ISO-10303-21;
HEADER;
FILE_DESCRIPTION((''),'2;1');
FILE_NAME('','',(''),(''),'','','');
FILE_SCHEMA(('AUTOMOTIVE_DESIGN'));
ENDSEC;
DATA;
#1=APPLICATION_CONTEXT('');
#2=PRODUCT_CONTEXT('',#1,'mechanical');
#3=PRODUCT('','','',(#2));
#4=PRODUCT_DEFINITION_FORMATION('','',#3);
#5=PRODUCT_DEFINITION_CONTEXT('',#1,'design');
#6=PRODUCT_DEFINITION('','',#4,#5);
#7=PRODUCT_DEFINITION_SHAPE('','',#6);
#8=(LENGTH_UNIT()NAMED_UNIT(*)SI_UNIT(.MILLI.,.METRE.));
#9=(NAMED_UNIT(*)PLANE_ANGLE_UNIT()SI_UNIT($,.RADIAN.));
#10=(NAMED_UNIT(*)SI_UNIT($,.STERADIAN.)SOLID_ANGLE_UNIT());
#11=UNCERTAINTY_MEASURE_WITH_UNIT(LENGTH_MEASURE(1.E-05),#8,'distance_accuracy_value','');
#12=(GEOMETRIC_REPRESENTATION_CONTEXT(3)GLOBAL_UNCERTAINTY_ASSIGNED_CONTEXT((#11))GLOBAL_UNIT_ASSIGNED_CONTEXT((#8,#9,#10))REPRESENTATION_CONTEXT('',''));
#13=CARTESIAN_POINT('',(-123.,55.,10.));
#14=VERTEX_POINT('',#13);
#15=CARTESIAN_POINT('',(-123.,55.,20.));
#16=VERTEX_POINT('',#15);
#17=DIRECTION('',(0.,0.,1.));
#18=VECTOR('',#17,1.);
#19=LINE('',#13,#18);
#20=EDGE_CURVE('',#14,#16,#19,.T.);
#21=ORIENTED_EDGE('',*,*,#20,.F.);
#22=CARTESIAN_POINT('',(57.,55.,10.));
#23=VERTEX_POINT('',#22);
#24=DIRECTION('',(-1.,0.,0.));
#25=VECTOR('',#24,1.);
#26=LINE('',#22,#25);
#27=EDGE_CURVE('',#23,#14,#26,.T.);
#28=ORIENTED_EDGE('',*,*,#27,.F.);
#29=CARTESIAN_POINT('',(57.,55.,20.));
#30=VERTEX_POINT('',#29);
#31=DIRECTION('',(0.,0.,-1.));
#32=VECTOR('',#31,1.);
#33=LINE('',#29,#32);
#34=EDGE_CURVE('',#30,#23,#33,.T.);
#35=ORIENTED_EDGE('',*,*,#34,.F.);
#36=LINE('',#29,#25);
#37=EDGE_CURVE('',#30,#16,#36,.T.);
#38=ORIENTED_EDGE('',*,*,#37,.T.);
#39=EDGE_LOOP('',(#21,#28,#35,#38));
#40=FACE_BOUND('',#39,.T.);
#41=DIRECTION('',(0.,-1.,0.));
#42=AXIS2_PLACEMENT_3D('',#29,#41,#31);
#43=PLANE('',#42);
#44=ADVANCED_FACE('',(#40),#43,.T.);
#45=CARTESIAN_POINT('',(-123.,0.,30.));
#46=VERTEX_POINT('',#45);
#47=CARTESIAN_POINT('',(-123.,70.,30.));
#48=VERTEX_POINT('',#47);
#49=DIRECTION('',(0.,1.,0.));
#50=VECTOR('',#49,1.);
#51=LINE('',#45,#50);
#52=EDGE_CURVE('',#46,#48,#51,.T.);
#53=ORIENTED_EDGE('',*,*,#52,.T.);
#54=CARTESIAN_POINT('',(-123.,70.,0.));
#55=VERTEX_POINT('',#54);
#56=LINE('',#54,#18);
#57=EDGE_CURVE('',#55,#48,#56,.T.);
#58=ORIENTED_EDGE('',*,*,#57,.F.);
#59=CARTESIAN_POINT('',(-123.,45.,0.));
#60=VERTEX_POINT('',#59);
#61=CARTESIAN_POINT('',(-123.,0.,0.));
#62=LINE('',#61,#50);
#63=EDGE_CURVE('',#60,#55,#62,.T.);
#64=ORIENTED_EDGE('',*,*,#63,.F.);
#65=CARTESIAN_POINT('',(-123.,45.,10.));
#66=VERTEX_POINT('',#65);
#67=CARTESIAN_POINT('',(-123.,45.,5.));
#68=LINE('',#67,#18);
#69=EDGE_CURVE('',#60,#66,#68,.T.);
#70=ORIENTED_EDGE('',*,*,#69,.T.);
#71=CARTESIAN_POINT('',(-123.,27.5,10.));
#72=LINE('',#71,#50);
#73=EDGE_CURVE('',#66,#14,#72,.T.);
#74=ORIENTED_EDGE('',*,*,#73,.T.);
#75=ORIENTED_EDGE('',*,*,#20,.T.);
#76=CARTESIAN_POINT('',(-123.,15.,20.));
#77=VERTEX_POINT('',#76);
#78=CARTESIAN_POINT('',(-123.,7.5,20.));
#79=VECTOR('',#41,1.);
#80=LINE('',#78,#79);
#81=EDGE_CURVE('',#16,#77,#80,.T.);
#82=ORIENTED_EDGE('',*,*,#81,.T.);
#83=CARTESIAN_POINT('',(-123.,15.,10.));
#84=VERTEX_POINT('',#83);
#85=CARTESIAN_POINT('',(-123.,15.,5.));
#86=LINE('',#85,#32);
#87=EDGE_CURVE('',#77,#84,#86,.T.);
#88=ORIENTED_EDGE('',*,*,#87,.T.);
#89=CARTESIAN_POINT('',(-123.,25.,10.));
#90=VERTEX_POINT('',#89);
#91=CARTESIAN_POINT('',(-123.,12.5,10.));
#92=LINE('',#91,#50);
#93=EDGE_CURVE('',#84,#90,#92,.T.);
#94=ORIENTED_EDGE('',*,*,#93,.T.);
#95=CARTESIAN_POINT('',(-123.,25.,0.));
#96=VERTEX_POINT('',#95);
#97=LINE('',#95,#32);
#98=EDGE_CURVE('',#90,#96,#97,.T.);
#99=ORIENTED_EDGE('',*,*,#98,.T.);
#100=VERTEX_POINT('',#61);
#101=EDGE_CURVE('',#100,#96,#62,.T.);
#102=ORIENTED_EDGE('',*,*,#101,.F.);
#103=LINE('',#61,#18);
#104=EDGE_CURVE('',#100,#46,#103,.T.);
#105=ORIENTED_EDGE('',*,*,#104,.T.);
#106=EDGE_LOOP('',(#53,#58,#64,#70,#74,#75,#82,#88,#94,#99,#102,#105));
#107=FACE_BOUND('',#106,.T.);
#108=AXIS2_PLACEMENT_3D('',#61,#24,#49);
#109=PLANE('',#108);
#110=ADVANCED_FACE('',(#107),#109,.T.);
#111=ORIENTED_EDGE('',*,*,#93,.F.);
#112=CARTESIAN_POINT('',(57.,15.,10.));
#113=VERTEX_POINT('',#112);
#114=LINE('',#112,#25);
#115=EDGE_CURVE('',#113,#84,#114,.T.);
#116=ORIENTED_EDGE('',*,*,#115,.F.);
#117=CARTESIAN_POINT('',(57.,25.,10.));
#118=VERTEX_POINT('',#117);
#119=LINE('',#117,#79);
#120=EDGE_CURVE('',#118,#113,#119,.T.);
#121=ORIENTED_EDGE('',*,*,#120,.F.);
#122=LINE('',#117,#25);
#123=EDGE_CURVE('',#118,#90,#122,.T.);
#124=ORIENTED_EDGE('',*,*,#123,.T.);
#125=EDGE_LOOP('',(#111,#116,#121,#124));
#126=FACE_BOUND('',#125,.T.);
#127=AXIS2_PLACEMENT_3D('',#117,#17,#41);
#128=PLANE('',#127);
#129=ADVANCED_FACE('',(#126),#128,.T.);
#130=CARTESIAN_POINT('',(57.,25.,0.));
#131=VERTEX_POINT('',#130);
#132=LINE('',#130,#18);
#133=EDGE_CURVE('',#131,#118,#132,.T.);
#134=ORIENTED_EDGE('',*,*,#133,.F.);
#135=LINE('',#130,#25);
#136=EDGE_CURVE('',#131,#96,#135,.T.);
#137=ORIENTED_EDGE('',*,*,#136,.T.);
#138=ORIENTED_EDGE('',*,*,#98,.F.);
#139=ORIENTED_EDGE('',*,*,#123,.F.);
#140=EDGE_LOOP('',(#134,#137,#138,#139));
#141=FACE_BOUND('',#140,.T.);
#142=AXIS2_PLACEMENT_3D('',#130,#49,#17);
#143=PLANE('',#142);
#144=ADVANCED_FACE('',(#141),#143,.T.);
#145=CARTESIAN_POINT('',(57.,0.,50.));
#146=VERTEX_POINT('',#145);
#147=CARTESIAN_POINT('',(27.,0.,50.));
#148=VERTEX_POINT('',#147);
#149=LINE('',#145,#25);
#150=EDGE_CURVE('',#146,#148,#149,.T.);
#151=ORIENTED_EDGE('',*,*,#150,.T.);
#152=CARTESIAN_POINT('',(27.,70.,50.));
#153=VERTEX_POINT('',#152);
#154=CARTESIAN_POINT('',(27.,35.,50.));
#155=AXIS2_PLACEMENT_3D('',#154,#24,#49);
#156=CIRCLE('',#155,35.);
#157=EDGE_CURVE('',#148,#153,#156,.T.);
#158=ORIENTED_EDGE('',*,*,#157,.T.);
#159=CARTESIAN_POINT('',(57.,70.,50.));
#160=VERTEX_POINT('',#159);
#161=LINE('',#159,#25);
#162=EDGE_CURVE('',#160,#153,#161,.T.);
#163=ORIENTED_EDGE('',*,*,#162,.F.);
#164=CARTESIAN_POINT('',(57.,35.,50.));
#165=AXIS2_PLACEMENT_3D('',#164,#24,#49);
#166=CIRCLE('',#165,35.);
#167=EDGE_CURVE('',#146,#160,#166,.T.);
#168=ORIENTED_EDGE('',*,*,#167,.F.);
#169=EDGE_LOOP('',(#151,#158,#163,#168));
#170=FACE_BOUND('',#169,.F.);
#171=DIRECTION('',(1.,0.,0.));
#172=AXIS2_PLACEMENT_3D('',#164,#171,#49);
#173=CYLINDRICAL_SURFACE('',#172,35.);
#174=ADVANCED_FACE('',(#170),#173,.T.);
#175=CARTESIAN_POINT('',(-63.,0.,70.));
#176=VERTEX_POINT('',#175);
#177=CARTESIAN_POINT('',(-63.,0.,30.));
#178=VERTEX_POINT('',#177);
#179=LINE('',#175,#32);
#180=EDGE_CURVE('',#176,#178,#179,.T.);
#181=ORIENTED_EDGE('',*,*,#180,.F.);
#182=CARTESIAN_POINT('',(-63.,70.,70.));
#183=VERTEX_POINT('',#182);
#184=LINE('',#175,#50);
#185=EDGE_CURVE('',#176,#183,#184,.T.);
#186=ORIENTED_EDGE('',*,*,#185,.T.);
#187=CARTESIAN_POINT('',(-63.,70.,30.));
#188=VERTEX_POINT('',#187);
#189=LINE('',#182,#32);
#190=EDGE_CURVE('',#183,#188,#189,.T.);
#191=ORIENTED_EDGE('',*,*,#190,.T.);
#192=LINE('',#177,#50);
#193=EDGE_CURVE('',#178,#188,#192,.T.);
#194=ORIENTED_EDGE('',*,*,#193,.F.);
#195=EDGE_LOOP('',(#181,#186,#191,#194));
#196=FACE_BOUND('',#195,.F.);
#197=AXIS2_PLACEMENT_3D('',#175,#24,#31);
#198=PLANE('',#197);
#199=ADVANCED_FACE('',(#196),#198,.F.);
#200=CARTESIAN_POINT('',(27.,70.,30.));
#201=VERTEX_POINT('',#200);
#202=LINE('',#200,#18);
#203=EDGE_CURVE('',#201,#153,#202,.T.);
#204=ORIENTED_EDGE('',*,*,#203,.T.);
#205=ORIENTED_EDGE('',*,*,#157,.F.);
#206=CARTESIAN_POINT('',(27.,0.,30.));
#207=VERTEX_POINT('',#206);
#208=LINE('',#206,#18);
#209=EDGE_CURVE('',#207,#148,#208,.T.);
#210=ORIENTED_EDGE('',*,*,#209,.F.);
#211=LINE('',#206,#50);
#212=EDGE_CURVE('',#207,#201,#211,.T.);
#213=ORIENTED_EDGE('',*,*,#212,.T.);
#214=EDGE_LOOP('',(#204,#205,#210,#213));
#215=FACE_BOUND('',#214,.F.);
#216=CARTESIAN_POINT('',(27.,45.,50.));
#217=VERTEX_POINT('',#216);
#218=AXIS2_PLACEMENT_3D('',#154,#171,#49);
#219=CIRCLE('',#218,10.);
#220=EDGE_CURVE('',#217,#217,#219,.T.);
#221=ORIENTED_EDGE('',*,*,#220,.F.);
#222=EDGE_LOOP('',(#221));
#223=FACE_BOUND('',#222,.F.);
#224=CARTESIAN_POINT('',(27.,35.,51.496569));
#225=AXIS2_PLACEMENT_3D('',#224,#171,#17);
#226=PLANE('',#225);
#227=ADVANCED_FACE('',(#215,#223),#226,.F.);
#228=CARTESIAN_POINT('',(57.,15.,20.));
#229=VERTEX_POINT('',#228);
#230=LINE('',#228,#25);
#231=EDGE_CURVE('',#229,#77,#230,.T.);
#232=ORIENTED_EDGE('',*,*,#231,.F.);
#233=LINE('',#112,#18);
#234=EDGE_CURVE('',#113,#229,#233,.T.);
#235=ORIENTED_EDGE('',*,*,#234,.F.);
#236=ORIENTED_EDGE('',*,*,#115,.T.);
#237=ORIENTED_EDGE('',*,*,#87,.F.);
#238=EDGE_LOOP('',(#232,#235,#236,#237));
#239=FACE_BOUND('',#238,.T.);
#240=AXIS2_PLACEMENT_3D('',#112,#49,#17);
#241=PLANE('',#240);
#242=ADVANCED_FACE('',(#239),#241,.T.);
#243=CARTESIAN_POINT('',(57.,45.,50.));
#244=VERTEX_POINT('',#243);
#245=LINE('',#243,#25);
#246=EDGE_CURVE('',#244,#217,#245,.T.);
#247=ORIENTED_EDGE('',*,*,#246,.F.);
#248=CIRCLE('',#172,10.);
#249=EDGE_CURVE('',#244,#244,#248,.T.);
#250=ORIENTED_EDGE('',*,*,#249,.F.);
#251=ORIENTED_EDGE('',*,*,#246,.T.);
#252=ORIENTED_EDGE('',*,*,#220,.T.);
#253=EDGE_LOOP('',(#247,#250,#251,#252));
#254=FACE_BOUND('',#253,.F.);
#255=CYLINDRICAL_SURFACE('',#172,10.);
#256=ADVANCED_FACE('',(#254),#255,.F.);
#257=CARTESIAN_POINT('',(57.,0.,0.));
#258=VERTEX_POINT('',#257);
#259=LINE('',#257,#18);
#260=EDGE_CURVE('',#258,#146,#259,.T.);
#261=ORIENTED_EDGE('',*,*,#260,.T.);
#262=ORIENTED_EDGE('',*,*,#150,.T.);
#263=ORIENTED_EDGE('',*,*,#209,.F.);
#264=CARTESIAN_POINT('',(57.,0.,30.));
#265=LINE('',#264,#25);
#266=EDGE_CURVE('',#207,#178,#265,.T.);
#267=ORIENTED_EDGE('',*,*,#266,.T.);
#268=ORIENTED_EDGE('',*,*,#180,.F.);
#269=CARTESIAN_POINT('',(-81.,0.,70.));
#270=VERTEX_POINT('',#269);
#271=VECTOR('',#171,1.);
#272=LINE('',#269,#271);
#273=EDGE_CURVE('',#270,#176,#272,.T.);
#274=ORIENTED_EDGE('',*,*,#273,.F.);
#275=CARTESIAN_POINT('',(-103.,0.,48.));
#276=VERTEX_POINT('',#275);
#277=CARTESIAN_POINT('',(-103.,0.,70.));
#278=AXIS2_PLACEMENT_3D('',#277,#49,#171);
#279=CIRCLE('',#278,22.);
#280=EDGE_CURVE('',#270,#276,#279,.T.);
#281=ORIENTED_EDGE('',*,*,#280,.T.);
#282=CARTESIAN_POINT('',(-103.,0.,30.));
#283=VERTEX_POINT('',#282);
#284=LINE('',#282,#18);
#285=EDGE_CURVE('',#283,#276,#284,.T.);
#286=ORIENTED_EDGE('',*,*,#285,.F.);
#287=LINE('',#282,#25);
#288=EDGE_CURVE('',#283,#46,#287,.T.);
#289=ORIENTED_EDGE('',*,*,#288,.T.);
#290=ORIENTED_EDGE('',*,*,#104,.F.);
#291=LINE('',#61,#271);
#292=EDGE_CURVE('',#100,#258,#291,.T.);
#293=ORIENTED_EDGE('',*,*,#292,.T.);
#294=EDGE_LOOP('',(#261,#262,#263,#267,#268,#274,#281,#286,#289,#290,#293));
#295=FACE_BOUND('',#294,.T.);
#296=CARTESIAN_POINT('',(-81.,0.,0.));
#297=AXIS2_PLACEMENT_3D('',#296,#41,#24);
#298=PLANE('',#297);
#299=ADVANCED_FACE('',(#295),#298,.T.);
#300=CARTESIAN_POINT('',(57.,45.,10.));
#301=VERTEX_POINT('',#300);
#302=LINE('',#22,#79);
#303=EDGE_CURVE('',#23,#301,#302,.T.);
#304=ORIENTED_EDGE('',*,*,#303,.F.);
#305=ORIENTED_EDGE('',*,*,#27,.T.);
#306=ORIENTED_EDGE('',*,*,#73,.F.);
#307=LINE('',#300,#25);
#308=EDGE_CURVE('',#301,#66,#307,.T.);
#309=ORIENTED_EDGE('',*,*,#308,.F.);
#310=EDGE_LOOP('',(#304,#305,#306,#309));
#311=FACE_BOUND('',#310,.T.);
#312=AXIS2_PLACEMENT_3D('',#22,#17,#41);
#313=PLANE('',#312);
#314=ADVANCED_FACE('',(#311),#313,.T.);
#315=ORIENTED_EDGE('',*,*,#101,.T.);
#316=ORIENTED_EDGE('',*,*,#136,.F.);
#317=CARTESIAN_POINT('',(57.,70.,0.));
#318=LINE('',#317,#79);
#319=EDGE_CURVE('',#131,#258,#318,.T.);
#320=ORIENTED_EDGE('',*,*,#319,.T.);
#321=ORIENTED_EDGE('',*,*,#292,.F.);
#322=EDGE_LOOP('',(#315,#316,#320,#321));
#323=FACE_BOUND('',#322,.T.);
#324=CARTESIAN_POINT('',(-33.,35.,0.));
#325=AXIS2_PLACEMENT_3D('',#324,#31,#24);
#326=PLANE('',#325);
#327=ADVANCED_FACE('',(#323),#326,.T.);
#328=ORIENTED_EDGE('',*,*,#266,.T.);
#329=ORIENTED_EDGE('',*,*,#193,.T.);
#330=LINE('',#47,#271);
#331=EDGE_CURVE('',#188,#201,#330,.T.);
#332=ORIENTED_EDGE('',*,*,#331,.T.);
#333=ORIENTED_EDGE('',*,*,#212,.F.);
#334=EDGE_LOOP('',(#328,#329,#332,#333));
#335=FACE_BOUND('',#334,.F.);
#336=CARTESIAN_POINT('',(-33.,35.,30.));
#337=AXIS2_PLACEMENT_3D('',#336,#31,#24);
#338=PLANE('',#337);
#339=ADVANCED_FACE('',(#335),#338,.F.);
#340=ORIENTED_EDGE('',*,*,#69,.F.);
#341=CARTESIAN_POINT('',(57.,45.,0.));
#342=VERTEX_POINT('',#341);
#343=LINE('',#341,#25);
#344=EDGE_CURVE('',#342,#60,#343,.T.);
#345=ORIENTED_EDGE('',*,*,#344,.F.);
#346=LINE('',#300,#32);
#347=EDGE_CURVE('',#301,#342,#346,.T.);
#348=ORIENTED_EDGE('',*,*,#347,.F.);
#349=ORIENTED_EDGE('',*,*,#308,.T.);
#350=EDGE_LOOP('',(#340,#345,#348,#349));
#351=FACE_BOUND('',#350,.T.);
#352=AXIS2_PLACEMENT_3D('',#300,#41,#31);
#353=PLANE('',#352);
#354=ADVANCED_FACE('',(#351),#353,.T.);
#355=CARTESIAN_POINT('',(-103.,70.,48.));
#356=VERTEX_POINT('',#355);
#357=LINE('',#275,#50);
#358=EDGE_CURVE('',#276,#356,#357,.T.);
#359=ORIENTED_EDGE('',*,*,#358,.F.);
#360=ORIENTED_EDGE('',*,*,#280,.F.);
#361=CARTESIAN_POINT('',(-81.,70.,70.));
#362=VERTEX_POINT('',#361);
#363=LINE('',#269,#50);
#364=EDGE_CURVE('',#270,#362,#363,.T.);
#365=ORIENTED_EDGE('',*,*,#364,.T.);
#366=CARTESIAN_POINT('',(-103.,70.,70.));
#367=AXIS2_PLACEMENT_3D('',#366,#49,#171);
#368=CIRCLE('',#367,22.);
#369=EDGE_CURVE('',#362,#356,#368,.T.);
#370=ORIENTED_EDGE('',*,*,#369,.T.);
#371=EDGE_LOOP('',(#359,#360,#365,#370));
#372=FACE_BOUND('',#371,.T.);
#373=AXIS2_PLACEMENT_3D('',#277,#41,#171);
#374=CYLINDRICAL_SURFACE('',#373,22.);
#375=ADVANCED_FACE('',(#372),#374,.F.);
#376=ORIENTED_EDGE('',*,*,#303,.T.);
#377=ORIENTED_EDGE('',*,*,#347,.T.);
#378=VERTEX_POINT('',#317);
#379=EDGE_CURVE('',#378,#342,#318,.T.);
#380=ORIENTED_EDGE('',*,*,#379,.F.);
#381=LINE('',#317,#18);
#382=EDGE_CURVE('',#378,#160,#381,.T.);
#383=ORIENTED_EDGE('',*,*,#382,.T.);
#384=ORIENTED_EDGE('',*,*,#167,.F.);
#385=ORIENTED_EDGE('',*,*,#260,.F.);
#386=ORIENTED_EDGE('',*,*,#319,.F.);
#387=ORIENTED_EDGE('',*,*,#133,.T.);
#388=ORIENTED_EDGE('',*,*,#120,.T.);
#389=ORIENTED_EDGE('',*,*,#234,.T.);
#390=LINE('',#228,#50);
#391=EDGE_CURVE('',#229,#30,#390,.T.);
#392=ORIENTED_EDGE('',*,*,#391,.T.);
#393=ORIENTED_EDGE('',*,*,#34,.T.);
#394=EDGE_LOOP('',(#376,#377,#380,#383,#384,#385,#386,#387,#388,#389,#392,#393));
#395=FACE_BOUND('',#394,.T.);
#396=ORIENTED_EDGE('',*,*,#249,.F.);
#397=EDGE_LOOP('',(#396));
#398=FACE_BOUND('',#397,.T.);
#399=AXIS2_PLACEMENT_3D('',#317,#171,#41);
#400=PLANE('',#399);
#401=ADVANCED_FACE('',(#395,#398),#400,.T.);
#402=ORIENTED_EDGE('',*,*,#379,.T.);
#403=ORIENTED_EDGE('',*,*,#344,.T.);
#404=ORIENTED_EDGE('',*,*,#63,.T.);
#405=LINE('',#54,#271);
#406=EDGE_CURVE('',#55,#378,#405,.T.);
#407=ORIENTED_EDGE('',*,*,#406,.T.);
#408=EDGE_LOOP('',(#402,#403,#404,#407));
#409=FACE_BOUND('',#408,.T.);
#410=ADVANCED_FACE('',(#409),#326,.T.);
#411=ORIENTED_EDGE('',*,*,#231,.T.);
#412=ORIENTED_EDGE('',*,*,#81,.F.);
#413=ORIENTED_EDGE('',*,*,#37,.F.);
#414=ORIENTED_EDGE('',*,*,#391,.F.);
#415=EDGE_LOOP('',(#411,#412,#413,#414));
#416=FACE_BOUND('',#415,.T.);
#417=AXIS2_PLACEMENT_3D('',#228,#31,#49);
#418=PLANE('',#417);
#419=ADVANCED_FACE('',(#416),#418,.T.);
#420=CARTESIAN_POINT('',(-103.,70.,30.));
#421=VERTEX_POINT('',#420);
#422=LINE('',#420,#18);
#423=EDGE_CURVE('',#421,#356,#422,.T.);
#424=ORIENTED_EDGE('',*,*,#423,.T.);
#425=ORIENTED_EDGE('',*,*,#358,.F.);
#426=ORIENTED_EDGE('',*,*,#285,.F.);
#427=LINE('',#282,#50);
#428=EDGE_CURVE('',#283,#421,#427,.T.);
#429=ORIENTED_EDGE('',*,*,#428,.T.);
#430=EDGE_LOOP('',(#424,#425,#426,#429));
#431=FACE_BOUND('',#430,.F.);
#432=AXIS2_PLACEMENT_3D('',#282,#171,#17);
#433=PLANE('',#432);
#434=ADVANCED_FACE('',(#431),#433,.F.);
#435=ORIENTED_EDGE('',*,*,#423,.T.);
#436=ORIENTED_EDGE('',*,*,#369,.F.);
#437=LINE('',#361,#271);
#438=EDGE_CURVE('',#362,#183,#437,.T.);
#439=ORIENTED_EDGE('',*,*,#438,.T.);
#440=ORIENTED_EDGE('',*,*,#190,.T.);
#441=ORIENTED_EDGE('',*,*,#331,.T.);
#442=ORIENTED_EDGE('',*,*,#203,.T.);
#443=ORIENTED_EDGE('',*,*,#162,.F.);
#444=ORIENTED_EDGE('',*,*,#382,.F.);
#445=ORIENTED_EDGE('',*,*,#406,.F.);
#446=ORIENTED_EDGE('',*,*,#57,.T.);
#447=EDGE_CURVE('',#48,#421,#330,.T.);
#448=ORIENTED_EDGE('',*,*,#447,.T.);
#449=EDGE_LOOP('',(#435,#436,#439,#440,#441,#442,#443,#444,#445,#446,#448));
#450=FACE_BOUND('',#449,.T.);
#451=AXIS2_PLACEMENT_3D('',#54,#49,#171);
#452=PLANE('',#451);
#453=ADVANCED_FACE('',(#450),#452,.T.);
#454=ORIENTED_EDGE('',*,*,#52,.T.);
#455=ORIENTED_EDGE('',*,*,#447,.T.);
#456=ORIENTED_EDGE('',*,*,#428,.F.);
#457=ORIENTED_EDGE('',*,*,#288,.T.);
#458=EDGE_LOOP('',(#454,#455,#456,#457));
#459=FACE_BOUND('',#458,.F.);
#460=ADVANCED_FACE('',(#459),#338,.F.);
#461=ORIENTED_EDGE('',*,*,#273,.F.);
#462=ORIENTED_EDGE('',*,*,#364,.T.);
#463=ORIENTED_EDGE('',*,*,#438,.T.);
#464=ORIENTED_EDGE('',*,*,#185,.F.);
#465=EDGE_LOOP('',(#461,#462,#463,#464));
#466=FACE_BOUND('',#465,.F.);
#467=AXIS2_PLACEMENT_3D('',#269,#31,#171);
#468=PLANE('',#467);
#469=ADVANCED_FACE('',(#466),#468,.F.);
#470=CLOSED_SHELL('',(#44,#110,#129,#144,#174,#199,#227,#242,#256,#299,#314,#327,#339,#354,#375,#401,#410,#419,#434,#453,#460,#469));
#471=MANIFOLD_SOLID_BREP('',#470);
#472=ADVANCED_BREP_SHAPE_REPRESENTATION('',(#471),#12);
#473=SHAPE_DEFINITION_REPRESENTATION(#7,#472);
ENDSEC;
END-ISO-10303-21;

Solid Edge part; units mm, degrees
sketch "Sketch1" plane through (0, 0, 0) normal (0, 0, 1) x (1, 0, 0)
  line L0 (-81, 0) -> (-103, 0)
  line L1 (-103, 0) -> (-123, 0)
  line L2 (-123, 0) -> (-123, 70)
  line L3 (-123, 70) -> (57, 70)
  line L4 (57, 70) -> (57, 0)
  line L5 (57, 0) -> (27, 0)
  line L6 (27, 0) -> (-63, 0)
  line L7 (-63, 0) -> (-81, 0)
extrude "Protrusion1" add sketch "Sketch1" along normal blind 30
sketch "Sketch2" plane through (-33, 0, 15) normal (0, -1, 0) x (1, 0, 0)
  line L0 (-48, 55) -> (-30, 55)
  line L1 (-30, 55) -> (-30, 15)
  line L2 (-30, 15) -> (-70, 15)
  line L3 (-70, 15) -> (-70, 33)
  arc A0 (-48, 55) -> (-70, 33) centre (-70, 55) cw
extrude "ExtrudedProtrusion_2" add sketch "Sketch2" against normal blind 70
sketch "Sketch3" plane through (57, 35, 15) normal (1, 0, 0) x (0, 1, 0)
  line L0 (35, 15) -> (35, 35)
  line L1 (-35, 15) -> (35, 15)
  line L2 (-35, 15) -> (-35, 35)
  arc A0 (-35, 35) -> (35, 35) centre (0, 35) cw
  circle A1 centre (0, 35) radius 10
extrude "ExtrudedProtrusion_3" add sketch "Sketch3" against normal blind 30
sketch "Sketch4" plane through (57, 35, 42.5) normal (1, 0, 0) x (0, 1, 0)
  line L0 (-20, -22.5) -> (20, -22.5)
  line L1 (20, -22.5) -> (20, -32.5)
  line L2 (20, -32.5) -> (10, -32.5)
  line L3 (10, -32.5) -> (10, -42.5)
  line L4 (10, -42.5) -> (0, -42.5)
  line L5 (0, -42.5) -> (-10, -42.5)
  line L6 (-10, -42.5) -> (-10, -32.5)
  line L7 (-10, -32.5) -> (-20, -32.5)
  line L8 (-20, -32.5) -> (-20, -22.5)
extrude "ExtrudedCutout_1" cut sketch "Sketch4" against normal blind 187.8697
